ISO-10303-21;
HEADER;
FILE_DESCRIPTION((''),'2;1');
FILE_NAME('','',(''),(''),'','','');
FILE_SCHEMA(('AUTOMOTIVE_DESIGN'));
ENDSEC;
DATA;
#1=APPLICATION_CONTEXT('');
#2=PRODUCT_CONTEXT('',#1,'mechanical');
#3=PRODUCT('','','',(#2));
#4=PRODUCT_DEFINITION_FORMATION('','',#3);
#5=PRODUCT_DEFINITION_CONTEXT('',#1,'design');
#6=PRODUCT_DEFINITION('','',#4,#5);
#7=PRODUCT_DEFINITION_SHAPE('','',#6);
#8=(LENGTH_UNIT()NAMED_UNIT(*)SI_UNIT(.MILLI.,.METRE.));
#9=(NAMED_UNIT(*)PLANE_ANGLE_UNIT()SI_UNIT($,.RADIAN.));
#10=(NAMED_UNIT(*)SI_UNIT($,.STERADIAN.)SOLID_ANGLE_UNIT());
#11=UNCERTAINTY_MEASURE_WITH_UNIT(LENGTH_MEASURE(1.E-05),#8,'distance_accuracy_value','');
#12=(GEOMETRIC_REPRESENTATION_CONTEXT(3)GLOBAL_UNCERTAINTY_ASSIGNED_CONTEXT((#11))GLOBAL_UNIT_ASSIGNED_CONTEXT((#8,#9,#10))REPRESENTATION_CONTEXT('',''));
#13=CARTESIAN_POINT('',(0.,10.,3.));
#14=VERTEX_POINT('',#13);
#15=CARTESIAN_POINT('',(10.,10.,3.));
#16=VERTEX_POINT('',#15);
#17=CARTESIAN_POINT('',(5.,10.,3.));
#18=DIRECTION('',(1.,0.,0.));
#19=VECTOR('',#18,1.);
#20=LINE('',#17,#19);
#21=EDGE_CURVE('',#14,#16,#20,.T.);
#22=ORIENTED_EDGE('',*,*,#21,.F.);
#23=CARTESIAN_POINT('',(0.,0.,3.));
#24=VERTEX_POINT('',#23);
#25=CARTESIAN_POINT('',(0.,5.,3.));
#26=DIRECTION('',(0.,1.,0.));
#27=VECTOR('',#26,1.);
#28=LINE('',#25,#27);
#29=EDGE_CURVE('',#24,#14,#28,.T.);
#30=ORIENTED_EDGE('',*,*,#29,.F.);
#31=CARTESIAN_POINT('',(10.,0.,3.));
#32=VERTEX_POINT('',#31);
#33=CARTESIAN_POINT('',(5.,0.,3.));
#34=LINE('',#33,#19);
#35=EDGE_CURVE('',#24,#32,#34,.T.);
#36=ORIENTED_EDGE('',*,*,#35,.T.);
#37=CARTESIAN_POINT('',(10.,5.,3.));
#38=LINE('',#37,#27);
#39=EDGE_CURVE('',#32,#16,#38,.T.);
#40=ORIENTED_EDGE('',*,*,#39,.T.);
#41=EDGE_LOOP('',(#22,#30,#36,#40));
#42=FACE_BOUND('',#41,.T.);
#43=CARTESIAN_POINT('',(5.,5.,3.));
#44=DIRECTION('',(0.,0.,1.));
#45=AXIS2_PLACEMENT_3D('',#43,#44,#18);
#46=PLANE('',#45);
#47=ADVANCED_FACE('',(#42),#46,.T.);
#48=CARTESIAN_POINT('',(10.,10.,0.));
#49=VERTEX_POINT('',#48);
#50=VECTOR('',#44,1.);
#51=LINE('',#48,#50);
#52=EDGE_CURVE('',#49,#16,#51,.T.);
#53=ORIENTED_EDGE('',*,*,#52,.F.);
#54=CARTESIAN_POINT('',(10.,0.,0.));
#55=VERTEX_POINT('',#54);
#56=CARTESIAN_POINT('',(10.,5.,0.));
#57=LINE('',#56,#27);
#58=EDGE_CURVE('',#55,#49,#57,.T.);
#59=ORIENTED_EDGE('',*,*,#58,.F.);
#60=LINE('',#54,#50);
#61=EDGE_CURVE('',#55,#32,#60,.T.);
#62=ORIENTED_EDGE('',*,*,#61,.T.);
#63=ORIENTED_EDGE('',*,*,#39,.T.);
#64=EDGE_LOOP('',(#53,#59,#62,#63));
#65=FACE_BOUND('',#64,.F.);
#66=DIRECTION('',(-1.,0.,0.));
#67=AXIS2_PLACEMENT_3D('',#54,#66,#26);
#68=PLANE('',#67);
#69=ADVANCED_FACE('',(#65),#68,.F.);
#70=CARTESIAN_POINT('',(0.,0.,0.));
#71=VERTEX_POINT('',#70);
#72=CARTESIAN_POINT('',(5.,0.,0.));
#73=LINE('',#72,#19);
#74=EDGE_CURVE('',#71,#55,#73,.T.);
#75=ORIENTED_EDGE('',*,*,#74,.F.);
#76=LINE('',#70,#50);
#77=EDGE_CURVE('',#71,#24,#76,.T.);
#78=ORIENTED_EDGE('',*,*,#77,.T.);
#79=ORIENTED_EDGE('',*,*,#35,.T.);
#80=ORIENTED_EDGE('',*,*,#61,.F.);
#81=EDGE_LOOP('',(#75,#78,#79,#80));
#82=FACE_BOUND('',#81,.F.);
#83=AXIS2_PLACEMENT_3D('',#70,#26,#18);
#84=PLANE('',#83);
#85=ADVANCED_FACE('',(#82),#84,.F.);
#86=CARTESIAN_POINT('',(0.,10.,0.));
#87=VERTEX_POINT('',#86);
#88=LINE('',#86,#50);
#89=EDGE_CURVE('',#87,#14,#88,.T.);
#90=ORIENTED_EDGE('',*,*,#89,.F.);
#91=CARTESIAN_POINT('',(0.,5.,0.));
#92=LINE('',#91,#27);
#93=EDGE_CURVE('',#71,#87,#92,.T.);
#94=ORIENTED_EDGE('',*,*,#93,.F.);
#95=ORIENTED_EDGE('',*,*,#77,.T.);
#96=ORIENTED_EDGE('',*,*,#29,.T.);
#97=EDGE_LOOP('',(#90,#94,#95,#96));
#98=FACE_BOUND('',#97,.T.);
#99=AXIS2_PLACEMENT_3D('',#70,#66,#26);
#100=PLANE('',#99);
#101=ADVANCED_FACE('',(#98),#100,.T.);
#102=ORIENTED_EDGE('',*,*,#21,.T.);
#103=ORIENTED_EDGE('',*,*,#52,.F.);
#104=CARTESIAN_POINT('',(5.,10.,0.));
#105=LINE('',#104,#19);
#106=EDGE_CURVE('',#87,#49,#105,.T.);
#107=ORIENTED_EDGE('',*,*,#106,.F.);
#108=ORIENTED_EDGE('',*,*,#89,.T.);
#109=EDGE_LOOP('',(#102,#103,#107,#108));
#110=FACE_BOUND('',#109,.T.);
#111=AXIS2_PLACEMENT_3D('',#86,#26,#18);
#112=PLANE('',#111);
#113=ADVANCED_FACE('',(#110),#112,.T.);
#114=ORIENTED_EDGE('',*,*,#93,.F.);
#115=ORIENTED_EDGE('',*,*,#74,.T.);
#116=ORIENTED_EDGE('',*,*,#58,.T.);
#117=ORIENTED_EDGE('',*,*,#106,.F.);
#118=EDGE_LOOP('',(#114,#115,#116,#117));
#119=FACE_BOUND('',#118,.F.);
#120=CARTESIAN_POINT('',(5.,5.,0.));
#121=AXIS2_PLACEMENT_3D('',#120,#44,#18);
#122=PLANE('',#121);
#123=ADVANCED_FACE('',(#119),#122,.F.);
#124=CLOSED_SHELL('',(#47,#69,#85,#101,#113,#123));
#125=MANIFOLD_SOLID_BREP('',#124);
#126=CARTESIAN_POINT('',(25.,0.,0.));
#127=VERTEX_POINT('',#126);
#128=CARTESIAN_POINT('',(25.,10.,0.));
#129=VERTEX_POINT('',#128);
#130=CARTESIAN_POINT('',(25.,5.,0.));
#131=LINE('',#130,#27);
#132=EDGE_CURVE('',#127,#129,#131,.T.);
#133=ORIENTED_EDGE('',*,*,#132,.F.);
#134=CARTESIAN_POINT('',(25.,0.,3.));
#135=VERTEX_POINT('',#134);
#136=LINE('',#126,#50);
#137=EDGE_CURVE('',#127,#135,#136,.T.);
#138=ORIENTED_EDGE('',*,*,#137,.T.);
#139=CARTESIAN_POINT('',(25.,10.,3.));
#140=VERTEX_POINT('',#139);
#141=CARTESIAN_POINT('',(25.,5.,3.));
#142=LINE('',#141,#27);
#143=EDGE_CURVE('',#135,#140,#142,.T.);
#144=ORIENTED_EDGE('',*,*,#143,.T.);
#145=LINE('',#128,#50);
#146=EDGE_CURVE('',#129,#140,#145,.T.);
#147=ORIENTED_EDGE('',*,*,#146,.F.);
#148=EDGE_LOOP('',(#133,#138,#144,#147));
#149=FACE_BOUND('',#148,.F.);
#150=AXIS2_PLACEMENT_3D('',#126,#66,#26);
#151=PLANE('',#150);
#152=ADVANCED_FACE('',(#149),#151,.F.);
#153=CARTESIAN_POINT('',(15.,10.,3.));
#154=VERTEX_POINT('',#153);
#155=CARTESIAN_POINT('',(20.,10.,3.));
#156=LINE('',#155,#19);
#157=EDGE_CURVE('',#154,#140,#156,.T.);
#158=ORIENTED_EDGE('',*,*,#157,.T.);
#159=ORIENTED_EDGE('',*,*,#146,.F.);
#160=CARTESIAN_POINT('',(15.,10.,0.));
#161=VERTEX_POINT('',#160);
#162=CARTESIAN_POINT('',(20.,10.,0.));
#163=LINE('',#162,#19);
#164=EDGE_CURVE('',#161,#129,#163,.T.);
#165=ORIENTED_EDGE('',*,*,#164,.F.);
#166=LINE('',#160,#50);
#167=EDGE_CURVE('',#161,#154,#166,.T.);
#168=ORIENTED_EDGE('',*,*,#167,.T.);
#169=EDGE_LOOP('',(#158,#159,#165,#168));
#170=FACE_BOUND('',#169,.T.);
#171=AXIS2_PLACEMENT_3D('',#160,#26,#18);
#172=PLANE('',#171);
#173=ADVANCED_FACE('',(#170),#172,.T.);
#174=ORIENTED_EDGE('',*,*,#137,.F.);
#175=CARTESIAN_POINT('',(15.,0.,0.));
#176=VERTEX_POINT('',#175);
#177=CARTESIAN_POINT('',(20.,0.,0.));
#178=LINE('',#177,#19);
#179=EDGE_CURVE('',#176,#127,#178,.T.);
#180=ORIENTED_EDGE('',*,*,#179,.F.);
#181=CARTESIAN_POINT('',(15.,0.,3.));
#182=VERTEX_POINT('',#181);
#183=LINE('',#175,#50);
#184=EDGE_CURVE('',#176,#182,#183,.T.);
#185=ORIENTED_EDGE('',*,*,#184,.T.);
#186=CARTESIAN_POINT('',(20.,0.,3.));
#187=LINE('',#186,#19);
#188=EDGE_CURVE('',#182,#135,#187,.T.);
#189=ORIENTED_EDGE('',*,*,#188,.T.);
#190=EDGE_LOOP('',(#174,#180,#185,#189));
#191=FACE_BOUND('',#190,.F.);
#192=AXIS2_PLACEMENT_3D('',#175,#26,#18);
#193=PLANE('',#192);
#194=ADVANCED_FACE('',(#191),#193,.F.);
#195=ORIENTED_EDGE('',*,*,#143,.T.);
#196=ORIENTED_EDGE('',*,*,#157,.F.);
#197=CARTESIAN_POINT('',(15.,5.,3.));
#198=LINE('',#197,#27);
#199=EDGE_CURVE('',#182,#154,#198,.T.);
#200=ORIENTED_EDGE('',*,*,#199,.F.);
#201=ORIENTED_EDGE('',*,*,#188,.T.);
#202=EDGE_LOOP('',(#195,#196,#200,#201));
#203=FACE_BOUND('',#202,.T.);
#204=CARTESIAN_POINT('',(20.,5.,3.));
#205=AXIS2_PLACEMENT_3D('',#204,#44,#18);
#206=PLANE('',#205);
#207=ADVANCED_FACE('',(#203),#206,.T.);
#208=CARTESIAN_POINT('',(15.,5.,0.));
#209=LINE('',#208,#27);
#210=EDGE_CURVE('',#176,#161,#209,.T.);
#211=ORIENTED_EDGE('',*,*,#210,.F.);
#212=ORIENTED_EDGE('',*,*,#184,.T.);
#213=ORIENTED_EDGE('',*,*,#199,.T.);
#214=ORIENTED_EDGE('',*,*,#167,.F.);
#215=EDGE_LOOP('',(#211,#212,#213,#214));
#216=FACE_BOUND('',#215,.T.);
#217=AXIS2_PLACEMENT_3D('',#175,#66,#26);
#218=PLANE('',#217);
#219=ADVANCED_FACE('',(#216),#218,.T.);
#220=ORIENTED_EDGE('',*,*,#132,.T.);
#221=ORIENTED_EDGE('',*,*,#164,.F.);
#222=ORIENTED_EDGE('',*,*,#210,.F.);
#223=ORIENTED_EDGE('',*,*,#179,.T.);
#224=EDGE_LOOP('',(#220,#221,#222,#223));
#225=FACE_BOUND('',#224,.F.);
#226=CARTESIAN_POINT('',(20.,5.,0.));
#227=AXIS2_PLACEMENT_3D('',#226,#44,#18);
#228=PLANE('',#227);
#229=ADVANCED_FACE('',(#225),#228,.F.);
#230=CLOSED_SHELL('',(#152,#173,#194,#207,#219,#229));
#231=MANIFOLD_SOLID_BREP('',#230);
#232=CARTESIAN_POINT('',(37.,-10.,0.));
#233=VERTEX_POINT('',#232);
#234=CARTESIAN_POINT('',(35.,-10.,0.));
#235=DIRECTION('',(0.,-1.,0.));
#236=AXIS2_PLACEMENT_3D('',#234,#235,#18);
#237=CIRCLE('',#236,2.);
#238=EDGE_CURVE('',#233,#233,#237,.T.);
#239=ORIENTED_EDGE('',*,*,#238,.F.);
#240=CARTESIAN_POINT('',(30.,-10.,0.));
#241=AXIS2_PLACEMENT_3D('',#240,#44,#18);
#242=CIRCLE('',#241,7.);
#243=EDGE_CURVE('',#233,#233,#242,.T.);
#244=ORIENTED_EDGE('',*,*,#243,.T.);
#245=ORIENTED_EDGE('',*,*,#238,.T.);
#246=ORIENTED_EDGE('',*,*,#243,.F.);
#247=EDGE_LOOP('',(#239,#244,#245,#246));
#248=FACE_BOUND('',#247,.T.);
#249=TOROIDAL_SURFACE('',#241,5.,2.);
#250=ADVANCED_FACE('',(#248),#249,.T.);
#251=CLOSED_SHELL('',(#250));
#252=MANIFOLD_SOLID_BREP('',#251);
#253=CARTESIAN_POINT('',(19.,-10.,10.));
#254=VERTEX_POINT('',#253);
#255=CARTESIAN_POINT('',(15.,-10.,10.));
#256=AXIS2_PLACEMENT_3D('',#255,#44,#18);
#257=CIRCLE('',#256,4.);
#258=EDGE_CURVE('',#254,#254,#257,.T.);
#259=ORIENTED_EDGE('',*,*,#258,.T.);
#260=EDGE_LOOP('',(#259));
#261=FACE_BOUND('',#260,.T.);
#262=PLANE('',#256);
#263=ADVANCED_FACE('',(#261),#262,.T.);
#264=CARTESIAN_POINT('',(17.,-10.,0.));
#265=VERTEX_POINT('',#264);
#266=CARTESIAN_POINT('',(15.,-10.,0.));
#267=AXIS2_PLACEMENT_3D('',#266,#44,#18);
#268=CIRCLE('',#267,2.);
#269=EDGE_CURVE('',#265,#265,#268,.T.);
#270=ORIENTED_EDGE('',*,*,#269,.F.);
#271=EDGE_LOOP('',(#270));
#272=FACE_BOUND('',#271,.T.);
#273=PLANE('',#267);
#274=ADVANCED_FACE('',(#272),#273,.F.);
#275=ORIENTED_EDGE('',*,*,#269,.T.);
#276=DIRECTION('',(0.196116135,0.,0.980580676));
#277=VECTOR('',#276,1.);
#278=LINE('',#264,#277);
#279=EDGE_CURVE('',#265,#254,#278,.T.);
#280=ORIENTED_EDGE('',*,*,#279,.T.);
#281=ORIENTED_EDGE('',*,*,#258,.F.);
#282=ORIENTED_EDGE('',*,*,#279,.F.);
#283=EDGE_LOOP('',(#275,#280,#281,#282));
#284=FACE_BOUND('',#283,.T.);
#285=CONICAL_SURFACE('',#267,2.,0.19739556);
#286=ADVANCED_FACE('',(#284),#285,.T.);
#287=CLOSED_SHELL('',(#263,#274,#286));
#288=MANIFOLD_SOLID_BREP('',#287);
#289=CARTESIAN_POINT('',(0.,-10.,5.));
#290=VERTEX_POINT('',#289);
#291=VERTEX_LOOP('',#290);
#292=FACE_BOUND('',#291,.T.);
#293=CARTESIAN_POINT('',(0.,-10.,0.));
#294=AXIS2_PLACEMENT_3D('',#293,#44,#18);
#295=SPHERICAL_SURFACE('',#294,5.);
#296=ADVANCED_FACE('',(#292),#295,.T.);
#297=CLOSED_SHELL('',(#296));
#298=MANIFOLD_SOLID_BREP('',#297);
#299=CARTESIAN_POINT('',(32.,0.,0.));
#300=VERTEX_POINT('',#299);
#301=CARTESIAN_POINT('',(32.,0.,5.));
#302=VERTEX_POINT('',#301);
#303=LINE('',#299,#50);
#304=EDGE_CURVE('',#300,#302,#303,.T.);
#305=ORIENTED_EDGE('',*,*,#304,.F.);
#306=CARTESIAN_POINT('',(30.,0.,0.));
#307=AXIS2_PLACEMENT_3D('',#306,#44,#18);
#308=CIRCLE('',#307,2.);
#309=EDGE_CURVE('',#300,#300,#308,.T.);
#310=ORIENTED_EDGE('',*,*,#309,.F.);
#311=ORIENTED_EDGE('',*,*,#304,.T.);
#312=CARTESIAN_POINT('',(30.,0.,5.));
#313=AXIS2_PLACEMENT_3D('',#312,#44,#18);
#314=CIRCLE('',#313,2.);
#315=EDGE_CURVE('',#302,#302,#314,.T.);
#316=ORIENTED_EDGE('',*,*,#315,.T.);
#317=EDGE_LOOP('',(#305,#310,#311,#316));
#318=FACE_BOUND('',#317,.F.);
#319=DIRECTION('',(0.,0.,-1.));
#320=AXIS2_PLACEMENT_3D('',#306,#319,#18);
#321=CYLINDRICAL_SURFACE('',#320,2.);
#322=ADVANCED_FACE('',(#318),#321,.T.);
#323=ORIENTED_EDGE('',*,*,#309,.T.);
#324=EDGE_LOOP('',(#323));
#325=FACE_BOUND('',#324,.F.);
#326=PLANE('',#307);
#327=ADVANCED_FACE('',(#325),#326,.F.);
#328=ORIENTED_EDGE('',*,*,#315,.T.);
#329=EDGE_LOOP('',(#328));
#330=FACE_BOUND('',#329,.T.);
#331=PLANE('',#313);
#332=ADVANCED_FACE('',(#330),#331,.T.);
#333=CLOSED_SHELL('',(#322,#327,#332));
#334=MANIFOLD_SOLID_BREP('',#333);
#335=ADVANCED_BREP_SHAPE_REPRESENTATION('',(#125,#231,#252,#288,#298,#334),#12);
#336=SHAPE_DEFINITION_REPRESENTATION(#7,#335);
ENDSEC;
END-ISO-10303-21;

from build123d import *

# Parameters (mm, degrees)
BOX_W          = 10
BOX_H          = 10
BOX_DEPTH      = 3
BOX001_W       = 10
BOX001_H       = 10
BOX001_DEPTH   = 3
CYLINDER_R     = 2
CYLINDER_DEPTH = 5
TORUS_R        = 2


with BuildPart() as cube:
    # Box → Box (new body)
    with BuildSketch(Plane(origin=(15, 0, 0), x_dir=(1, 0, 0), z_dir=(0, 0, 1))):
        with Locations((5, 5)):
            Rectangle(BOX_W, BOX_H)
    extrude(amount=BOX_DEPTH)


with BuildPart() as cube001:
    # Box001 → Box001 (new body)
    with BuildSketch(Plane.XY):
        with Locations((5, 5)):
            Rectangle(BOX001_W, BOX001_H)
    extrude(amount=BOX001_DEPTH)


with BuildPart() as cylinder:
    # Cylinder → Cylinder (new body)
    with BuildSketch(Plane(origin=(30, 0, 0), x_dir=(1, 0, 0), z_dir=(0, 0, 1))):
        Circle(CYLINDER_R)
    extrude(amount=CYLINDER_DEPTH)


with BuildPart() as sphere:
    # Sphere → Sphere (revolve)
    with BuildSketch(Plane.XZ.offset(10)):
        with BuildLine():
            ThreePointArc((0, -5), (5, 0), (0, 5))
            Line((0, 5), (0, -5))
        make_face()
    revolve(axis=Axis((0, -10, 0), (0, 0, 1)))


with BuildPart() as cone:
    # Cone → Cone (revolve)
    with BuildSketch(Plane(origin=(15, -10, 0), x_dir=(1, 0, 0), z_dir=(0, -1, 0))):
        Polygon((0, 0), (2, 0), (4, 10), (0, 10), align=None)
    revolve(axis=Axis((15, -10, 0), (0, 0, 1)))


with BuildPart() as torus:
    # Torus → Torus (revolve)
    with BuildSketch(Plane(origin=(30, -10, 0), x_dir=(1, 0, 0), z_dir=(0, -1, 0))):
        with Locations((5, 0)):
            Circle(TORUS_R)
    revolve(axis=Axis((30, -10, 0), (0, 0, 1)))


solid = Compound([cube.part, cube001.part, cylinder.part, sphere.part, cone.part, torus.part])
